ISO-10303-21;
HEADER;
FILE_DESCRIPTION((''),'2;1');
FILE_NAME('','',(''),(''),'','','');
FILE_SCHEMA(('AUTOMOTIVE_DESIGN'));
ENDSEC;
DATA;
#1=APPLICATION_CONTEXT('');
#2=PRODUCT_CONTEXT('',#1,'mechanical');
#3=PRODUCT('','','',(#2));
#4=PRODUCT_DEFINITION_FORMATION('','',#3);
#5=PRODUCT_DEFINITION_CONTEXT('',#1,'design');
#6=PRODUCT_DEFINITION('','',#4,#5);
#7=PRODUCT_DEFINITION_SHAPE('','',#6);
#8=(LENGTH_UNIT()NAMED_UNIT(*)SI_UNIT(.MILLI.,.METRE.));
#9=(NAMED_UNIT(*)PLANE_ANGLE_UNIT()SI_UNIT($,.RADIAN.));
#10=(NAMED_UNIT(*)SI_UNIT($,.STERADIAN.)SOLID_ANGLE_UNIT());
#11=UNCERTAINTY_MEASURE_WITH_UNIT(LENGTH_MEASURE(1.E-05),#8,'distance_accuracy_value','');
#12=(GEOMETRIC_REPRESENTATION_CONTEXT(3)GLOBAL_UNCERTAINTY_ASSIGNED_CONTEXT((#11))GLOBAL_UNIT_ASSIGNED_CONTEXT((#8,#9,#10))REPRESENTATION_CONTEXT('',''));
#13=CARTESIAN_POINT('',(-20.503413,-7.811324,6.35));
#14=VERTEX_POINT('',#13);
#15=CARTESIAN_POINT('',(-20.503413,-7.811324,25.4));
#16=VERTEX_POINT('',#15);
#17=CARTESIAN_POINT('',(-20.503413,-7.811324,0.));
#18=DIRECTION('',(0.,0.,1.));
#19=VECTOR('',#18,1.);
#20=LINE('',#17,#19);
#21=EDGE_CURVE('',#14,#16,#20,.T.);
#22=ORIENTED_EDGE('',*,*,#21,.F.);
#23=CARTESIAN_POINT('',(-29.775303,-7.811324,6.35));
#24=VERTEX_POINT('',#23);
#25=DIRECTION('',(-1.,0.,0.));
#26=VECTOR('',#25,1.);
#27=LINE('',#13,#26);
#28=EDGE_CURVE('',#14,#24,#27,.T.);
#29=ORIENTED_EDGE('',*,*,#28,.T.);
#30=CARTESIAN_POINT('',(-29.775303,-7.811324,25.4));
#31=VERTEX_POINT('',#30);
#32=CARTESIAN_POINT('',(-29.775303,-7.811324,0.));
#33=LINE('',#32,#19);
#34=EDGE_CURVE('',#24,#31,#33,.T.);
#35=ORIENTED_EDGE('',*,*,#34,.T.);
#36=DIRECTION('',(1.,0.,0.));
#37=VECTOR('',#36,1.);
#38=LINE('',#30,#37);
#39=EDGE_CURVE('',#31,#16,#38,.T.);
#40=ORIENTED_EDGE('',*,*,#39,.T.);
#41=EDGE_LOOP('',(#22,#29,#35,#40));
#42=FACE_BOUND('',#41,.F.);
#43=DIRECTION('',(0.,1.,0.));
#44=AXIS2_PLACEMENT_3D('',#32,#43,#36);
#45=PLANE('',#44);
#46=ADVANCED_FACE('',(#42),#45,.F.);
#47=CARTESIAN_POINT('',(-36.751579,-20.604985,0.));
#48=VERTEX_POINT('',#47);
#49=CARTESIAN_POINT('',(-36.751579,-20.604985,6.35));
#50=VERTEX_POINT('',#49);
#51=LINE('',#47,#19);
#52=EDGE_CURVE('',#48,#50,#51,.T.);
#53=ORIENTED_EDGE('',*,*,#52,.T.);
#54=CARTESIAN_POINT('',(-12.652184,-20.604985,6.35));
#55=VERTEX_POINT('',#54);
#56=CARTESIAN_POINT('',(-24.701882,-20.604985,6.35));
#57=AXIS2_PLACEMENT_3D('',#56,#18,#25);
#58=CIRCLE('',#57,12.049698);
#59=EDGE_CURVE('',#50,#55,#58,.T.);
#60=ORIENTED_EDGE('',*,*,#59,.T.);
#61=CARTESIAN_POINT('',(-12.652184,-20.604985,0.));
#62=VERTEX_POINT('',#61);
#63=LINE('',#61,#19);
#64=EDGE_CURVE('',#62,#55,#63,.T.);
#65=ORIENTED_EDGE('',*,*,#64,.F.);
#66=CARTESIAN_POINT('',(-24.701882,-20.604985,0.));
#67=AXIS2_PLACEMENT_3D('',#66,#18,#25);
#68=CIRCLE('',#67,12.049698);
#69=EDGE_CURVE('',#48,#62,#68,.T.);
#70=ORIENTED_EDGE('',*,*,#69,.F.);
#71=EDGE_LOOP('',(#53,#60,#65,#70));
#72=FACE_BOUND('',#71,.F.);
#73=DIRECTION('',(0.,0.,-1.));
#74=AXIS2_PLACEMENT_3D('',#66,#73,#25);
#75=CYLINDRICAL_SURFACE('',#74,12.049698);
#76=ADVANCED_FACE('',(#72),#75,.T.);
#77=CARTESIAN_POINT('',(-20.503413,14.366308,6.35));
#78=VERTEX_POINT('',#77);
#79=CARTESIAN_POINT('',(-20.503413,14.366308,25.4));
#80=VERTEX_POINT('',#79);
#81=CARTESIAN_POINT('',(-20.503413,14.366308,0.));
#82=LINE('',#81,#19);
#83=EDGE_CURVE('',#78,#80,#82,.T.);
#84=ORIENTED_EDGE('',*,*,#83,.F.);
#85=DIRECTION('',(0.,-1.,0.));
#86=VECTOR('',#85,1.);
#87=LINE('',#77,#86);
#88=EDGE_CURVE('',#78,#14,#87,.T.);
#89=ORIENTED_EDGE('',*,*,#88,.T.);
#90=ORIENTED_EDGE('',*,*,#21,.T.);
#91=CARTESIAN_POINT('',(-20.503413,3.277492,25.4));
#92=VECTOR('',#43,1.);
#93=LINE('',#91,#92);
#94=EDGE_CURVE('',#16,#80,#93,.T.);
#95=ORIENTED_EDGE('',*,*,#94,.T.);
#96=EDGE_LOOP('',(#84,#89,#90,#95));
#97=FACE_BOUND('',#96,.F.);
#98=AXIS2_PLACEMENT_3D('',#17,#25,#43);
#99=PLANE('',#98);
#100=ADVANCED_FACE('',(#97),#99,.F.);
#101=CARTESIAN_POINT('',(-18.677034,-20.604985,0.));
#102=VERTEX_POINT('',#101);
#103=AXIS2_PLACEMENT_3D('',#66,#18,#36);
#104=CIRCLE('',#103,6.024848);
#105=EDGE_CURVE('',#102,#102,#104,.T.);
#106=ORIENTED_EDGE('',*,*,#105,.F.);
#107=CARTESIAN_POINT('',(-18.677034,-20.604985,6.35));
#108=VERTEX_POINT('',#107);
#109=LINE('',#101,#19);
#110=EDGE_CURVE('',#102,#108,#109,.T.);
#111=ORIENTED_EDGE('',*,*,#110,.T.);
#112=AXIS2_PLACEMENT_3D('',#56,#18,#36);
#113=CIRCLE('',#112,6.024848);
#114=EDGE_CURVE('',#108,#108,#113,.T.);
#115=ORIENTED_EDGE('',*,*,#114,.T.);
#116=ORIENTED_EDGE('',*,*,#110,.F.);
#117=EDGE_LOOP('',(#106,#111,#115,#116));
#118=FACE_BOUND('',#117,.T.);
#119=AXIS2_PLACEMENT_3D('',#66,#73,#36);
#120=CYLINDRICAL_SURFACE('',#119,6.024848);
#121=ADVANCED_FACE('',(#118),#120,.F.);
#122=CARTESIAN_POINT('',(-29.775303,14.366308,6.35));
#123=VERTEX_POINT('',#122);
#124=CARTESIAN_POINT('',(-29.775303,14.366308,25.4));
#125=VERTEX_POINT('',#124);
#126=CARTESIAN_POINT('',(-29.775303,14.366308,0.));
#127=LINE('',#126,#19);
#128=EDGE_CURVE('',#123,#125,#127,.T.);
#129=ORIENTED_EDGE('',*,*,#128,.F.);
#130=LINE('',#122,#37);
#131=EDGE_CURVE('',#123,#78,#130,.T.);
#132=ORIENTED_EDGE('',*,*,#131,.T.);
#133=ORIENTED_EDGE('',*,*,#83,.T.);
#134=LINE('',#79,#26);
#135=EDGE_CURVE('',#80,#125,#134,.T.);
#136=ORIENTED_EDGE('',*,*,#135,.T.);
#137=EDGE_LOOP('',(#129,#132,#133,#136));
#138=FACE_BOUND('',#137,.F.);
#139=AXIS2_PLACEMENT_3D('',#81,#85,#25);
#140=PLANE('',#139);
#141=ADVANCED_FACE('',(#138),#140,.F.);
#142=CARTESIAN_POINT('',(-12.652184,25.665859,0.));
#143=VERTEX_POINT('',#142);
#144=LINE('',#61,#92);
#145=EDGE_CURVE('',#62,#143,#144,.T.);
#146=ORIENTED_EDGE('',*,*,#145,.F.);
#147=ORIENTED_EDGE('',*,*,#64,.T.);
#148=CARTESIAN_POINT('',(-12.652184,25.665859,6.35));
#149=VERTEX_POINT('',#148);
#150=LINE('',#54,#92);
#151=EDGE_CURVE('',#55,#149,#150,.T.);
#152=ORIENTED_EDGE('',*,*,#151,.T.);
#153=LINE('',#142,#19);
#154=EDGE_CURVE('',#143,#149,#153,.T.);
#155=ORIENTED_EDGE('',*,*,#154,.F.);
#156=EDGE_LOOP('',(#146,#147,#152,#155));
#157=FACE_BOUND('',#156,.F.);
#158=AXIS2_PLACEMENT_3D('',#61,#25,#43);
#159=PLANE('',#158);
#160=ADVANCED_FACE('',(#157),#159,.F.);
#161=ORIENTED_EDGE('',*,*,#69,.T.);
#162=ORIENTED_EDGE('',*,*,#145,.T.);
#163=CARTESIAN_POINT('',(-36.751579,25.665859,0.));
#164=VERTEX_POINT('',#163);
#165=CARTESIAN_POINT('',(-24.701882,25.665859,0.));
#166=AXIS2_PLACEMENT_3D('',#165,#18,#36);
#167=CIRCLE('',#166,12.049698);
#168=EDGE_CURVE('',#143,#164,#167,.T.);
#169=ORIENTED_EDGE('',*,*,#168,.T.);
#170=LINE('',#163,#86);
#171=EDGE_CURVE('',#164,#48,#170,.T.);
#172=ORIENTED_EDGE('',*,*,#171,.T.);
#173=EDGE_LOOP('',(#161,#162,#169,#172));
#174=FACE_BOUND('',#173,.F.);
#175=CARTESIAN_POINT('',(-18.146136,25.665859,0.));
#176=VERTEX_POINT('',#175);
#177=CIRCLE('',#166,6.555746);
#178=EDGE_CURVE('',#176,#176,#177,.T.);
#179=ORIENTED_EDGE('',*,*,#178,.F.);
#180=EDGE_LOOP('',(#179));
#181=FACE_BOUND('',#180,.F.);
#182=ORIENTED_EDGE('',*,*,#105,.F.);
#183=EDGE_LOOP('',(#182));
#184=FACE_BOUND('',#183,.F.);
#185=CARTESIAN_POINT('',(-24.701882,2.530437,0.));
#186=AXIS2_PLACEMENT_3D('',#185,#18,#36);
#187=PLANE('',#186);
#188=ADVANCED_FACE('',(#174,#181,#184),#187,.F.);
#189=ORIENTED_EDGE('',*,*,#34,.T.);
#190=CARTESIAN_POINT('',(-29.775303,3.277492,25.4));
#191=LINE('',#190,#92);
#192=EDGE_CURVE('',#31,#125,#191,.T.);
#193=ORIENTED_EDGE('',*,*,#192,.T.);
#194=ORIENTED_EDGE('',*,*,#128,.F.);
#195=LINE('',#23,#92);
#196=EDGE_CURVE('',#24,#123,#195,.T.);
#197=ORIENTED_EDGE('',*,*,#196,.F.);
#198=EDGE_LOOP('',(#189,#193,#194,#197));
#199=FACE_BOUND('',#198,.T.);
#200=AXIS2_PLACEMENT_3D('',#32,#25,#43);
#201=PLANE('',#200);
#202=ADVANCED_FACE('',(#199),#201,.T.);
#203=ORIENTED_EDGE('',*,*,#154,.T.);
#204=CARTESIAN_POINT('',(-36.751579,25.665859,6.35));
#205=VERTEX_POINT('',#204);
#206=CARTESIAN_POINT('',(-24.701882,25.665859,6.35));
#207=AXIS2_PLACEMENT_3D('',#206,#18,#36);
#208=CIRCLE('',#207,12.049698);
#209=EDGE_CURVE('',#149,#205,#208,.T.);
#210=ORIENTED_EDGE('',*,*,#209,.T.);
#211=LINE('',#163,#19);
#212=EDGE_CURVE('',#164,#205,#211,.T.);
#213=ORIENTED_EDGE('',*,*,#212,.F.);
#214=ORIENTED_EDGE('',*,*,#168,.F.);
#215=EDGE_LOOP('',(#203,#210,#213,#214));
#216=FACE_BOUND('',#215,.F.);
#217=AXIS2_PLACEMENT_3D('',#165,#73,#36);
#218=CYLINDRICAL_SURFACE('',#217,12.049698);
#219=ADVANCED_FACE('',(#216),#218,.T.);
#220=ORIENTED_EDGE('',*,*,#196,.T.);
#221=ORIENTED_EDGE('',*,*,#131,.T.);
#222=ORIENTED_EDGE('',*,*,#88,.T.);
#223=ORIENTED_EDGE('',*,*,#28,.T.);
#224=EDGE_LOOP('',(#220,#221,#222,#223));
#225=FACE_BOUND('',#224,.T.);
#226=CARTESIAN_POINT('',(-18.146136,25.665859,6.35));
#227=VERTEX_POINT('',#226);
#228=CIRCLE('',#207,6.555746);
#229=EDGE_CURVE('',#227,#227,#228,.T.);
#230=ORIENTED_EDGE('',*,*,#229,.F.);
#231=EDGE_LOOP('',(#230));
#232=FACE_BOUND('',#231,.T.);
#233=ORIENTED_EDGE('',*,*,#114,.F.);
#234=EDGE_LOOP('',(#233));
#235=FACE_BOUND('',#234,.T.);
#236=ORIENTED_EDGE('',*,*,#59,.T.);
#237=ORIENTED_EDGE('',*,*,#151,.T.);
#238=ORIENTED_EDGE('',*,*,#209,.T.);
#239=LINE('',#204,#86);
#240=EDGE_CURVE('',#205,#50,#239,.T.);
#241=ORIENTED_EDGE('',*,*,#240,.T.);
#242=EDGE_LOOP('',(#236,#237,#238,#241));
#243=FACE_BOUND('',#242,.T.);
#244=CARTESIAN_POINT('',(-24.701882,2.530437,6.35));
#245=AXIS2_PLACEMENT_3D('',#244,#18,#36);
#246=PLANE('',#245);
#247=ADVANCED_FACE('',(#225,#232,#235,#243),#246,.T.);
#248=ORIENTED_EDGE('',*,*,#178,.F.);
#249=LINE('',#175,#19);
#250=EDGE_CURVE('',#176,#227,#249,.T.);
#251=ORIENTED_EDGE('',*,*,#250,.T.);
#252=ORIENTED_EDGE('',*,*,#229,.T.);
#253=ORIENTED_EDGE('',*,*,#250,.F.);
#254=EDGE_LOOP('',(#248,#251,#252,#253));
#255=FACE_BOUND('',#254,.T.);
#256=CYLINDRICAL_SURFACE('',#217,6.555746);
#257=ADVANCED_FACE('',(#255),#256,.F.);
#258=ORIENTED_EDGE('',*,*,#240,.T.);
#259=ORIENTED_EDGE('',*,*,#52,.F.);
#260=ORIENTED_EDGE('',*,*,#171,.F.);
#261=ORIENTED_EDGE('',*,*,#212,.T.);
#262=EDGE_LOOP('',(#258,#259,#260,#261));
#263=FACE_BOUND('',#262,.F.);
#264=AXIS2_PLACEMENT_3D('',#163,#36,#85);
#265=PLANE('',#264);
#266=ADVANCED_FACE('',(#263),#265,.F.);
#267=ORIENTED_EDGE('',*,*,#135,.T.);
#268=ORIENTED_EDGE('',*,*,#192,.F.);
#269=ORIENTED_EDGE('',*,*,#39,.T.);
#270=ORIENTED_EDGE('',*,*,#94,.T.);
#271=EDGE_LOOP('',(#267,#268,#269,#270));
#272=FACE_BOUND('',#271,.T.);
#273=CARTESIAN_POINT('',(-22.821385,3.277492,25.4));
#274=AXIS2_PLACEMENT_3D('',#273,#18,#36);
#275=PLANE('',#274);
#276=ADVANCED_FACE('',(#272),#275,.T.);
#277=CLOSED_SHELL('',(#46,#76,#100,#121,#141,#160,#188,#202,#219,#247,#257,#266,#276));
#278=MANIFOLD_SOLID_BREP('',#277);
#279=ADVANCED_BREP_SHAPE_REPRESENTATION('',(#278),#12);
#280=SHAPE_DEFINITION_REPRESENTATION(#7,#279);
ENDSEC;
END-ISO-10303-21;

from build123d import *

# Parameters (mm, degrees)
F0_R     = 6.0248478502
F0_R_2   = 6.5557456881
F1_DEPTH = 6.35
F0_W     = 4.6359449625
F0_H     = 22.1776319668
F2_DEPTH = 25.4


with BuildPart() as f1:
    # F0 (on Top) → F1 (new body)
    with BuildSketch(Plane.XY):
        with BuildLine():
            ThreePointArc((-12.6521838829, 25.6658587605), (-24.7018816881, 37.7155565657), (-36.7515794933, 25.6658587605))
            Line((-36.7515794933, 25.6658587605), (-36.7515794933, -20.6049848348))
            ThreePointArc((-36.7515794933, -20.6049848348), (-24.7018816881, -32.65468264), (-12.6521838829, -20.6049848348))
            Line((-12.6521838829, -20.6049848348), (-12.6521838829, 25.6658587605))
        make_face()
        with Locations((-24.7018816881, -20.6049848348)):
            Circle(F0_R, mode=Mode.SUBTRACT)
        Polygon((-25.1393578947, 14.3663082272), (-20.5034129322, 14.3663082272), (-20.5034129322, -7.8113237396), (-25.1393578947, -7.8113237396), (-29.7753028572, -7.8113237396), (-29.7753028572, 14.3663082272), align=None, mode=Mode.SUBTRACT)
        with Locations((-24.7018816881, 25.6658587605)):
            Circle(F0_R_2, mode=Mode.SUBTRACT)
    extrude(amount=F1_DEPTH)

    # F0 (on Top) → F2 (join)
    with BuildSketch(Plane.XY):
        with Locations((-22.8213854134, 3.2774922438)):
            Rectangle(F0_W, F0_H)
        with Locations((-27.4573303759, 3.2774922438)):
            Rectangle(F0_W, F0_H)
    extrude(amount=F2_DEPTH)


solid = f1.part
